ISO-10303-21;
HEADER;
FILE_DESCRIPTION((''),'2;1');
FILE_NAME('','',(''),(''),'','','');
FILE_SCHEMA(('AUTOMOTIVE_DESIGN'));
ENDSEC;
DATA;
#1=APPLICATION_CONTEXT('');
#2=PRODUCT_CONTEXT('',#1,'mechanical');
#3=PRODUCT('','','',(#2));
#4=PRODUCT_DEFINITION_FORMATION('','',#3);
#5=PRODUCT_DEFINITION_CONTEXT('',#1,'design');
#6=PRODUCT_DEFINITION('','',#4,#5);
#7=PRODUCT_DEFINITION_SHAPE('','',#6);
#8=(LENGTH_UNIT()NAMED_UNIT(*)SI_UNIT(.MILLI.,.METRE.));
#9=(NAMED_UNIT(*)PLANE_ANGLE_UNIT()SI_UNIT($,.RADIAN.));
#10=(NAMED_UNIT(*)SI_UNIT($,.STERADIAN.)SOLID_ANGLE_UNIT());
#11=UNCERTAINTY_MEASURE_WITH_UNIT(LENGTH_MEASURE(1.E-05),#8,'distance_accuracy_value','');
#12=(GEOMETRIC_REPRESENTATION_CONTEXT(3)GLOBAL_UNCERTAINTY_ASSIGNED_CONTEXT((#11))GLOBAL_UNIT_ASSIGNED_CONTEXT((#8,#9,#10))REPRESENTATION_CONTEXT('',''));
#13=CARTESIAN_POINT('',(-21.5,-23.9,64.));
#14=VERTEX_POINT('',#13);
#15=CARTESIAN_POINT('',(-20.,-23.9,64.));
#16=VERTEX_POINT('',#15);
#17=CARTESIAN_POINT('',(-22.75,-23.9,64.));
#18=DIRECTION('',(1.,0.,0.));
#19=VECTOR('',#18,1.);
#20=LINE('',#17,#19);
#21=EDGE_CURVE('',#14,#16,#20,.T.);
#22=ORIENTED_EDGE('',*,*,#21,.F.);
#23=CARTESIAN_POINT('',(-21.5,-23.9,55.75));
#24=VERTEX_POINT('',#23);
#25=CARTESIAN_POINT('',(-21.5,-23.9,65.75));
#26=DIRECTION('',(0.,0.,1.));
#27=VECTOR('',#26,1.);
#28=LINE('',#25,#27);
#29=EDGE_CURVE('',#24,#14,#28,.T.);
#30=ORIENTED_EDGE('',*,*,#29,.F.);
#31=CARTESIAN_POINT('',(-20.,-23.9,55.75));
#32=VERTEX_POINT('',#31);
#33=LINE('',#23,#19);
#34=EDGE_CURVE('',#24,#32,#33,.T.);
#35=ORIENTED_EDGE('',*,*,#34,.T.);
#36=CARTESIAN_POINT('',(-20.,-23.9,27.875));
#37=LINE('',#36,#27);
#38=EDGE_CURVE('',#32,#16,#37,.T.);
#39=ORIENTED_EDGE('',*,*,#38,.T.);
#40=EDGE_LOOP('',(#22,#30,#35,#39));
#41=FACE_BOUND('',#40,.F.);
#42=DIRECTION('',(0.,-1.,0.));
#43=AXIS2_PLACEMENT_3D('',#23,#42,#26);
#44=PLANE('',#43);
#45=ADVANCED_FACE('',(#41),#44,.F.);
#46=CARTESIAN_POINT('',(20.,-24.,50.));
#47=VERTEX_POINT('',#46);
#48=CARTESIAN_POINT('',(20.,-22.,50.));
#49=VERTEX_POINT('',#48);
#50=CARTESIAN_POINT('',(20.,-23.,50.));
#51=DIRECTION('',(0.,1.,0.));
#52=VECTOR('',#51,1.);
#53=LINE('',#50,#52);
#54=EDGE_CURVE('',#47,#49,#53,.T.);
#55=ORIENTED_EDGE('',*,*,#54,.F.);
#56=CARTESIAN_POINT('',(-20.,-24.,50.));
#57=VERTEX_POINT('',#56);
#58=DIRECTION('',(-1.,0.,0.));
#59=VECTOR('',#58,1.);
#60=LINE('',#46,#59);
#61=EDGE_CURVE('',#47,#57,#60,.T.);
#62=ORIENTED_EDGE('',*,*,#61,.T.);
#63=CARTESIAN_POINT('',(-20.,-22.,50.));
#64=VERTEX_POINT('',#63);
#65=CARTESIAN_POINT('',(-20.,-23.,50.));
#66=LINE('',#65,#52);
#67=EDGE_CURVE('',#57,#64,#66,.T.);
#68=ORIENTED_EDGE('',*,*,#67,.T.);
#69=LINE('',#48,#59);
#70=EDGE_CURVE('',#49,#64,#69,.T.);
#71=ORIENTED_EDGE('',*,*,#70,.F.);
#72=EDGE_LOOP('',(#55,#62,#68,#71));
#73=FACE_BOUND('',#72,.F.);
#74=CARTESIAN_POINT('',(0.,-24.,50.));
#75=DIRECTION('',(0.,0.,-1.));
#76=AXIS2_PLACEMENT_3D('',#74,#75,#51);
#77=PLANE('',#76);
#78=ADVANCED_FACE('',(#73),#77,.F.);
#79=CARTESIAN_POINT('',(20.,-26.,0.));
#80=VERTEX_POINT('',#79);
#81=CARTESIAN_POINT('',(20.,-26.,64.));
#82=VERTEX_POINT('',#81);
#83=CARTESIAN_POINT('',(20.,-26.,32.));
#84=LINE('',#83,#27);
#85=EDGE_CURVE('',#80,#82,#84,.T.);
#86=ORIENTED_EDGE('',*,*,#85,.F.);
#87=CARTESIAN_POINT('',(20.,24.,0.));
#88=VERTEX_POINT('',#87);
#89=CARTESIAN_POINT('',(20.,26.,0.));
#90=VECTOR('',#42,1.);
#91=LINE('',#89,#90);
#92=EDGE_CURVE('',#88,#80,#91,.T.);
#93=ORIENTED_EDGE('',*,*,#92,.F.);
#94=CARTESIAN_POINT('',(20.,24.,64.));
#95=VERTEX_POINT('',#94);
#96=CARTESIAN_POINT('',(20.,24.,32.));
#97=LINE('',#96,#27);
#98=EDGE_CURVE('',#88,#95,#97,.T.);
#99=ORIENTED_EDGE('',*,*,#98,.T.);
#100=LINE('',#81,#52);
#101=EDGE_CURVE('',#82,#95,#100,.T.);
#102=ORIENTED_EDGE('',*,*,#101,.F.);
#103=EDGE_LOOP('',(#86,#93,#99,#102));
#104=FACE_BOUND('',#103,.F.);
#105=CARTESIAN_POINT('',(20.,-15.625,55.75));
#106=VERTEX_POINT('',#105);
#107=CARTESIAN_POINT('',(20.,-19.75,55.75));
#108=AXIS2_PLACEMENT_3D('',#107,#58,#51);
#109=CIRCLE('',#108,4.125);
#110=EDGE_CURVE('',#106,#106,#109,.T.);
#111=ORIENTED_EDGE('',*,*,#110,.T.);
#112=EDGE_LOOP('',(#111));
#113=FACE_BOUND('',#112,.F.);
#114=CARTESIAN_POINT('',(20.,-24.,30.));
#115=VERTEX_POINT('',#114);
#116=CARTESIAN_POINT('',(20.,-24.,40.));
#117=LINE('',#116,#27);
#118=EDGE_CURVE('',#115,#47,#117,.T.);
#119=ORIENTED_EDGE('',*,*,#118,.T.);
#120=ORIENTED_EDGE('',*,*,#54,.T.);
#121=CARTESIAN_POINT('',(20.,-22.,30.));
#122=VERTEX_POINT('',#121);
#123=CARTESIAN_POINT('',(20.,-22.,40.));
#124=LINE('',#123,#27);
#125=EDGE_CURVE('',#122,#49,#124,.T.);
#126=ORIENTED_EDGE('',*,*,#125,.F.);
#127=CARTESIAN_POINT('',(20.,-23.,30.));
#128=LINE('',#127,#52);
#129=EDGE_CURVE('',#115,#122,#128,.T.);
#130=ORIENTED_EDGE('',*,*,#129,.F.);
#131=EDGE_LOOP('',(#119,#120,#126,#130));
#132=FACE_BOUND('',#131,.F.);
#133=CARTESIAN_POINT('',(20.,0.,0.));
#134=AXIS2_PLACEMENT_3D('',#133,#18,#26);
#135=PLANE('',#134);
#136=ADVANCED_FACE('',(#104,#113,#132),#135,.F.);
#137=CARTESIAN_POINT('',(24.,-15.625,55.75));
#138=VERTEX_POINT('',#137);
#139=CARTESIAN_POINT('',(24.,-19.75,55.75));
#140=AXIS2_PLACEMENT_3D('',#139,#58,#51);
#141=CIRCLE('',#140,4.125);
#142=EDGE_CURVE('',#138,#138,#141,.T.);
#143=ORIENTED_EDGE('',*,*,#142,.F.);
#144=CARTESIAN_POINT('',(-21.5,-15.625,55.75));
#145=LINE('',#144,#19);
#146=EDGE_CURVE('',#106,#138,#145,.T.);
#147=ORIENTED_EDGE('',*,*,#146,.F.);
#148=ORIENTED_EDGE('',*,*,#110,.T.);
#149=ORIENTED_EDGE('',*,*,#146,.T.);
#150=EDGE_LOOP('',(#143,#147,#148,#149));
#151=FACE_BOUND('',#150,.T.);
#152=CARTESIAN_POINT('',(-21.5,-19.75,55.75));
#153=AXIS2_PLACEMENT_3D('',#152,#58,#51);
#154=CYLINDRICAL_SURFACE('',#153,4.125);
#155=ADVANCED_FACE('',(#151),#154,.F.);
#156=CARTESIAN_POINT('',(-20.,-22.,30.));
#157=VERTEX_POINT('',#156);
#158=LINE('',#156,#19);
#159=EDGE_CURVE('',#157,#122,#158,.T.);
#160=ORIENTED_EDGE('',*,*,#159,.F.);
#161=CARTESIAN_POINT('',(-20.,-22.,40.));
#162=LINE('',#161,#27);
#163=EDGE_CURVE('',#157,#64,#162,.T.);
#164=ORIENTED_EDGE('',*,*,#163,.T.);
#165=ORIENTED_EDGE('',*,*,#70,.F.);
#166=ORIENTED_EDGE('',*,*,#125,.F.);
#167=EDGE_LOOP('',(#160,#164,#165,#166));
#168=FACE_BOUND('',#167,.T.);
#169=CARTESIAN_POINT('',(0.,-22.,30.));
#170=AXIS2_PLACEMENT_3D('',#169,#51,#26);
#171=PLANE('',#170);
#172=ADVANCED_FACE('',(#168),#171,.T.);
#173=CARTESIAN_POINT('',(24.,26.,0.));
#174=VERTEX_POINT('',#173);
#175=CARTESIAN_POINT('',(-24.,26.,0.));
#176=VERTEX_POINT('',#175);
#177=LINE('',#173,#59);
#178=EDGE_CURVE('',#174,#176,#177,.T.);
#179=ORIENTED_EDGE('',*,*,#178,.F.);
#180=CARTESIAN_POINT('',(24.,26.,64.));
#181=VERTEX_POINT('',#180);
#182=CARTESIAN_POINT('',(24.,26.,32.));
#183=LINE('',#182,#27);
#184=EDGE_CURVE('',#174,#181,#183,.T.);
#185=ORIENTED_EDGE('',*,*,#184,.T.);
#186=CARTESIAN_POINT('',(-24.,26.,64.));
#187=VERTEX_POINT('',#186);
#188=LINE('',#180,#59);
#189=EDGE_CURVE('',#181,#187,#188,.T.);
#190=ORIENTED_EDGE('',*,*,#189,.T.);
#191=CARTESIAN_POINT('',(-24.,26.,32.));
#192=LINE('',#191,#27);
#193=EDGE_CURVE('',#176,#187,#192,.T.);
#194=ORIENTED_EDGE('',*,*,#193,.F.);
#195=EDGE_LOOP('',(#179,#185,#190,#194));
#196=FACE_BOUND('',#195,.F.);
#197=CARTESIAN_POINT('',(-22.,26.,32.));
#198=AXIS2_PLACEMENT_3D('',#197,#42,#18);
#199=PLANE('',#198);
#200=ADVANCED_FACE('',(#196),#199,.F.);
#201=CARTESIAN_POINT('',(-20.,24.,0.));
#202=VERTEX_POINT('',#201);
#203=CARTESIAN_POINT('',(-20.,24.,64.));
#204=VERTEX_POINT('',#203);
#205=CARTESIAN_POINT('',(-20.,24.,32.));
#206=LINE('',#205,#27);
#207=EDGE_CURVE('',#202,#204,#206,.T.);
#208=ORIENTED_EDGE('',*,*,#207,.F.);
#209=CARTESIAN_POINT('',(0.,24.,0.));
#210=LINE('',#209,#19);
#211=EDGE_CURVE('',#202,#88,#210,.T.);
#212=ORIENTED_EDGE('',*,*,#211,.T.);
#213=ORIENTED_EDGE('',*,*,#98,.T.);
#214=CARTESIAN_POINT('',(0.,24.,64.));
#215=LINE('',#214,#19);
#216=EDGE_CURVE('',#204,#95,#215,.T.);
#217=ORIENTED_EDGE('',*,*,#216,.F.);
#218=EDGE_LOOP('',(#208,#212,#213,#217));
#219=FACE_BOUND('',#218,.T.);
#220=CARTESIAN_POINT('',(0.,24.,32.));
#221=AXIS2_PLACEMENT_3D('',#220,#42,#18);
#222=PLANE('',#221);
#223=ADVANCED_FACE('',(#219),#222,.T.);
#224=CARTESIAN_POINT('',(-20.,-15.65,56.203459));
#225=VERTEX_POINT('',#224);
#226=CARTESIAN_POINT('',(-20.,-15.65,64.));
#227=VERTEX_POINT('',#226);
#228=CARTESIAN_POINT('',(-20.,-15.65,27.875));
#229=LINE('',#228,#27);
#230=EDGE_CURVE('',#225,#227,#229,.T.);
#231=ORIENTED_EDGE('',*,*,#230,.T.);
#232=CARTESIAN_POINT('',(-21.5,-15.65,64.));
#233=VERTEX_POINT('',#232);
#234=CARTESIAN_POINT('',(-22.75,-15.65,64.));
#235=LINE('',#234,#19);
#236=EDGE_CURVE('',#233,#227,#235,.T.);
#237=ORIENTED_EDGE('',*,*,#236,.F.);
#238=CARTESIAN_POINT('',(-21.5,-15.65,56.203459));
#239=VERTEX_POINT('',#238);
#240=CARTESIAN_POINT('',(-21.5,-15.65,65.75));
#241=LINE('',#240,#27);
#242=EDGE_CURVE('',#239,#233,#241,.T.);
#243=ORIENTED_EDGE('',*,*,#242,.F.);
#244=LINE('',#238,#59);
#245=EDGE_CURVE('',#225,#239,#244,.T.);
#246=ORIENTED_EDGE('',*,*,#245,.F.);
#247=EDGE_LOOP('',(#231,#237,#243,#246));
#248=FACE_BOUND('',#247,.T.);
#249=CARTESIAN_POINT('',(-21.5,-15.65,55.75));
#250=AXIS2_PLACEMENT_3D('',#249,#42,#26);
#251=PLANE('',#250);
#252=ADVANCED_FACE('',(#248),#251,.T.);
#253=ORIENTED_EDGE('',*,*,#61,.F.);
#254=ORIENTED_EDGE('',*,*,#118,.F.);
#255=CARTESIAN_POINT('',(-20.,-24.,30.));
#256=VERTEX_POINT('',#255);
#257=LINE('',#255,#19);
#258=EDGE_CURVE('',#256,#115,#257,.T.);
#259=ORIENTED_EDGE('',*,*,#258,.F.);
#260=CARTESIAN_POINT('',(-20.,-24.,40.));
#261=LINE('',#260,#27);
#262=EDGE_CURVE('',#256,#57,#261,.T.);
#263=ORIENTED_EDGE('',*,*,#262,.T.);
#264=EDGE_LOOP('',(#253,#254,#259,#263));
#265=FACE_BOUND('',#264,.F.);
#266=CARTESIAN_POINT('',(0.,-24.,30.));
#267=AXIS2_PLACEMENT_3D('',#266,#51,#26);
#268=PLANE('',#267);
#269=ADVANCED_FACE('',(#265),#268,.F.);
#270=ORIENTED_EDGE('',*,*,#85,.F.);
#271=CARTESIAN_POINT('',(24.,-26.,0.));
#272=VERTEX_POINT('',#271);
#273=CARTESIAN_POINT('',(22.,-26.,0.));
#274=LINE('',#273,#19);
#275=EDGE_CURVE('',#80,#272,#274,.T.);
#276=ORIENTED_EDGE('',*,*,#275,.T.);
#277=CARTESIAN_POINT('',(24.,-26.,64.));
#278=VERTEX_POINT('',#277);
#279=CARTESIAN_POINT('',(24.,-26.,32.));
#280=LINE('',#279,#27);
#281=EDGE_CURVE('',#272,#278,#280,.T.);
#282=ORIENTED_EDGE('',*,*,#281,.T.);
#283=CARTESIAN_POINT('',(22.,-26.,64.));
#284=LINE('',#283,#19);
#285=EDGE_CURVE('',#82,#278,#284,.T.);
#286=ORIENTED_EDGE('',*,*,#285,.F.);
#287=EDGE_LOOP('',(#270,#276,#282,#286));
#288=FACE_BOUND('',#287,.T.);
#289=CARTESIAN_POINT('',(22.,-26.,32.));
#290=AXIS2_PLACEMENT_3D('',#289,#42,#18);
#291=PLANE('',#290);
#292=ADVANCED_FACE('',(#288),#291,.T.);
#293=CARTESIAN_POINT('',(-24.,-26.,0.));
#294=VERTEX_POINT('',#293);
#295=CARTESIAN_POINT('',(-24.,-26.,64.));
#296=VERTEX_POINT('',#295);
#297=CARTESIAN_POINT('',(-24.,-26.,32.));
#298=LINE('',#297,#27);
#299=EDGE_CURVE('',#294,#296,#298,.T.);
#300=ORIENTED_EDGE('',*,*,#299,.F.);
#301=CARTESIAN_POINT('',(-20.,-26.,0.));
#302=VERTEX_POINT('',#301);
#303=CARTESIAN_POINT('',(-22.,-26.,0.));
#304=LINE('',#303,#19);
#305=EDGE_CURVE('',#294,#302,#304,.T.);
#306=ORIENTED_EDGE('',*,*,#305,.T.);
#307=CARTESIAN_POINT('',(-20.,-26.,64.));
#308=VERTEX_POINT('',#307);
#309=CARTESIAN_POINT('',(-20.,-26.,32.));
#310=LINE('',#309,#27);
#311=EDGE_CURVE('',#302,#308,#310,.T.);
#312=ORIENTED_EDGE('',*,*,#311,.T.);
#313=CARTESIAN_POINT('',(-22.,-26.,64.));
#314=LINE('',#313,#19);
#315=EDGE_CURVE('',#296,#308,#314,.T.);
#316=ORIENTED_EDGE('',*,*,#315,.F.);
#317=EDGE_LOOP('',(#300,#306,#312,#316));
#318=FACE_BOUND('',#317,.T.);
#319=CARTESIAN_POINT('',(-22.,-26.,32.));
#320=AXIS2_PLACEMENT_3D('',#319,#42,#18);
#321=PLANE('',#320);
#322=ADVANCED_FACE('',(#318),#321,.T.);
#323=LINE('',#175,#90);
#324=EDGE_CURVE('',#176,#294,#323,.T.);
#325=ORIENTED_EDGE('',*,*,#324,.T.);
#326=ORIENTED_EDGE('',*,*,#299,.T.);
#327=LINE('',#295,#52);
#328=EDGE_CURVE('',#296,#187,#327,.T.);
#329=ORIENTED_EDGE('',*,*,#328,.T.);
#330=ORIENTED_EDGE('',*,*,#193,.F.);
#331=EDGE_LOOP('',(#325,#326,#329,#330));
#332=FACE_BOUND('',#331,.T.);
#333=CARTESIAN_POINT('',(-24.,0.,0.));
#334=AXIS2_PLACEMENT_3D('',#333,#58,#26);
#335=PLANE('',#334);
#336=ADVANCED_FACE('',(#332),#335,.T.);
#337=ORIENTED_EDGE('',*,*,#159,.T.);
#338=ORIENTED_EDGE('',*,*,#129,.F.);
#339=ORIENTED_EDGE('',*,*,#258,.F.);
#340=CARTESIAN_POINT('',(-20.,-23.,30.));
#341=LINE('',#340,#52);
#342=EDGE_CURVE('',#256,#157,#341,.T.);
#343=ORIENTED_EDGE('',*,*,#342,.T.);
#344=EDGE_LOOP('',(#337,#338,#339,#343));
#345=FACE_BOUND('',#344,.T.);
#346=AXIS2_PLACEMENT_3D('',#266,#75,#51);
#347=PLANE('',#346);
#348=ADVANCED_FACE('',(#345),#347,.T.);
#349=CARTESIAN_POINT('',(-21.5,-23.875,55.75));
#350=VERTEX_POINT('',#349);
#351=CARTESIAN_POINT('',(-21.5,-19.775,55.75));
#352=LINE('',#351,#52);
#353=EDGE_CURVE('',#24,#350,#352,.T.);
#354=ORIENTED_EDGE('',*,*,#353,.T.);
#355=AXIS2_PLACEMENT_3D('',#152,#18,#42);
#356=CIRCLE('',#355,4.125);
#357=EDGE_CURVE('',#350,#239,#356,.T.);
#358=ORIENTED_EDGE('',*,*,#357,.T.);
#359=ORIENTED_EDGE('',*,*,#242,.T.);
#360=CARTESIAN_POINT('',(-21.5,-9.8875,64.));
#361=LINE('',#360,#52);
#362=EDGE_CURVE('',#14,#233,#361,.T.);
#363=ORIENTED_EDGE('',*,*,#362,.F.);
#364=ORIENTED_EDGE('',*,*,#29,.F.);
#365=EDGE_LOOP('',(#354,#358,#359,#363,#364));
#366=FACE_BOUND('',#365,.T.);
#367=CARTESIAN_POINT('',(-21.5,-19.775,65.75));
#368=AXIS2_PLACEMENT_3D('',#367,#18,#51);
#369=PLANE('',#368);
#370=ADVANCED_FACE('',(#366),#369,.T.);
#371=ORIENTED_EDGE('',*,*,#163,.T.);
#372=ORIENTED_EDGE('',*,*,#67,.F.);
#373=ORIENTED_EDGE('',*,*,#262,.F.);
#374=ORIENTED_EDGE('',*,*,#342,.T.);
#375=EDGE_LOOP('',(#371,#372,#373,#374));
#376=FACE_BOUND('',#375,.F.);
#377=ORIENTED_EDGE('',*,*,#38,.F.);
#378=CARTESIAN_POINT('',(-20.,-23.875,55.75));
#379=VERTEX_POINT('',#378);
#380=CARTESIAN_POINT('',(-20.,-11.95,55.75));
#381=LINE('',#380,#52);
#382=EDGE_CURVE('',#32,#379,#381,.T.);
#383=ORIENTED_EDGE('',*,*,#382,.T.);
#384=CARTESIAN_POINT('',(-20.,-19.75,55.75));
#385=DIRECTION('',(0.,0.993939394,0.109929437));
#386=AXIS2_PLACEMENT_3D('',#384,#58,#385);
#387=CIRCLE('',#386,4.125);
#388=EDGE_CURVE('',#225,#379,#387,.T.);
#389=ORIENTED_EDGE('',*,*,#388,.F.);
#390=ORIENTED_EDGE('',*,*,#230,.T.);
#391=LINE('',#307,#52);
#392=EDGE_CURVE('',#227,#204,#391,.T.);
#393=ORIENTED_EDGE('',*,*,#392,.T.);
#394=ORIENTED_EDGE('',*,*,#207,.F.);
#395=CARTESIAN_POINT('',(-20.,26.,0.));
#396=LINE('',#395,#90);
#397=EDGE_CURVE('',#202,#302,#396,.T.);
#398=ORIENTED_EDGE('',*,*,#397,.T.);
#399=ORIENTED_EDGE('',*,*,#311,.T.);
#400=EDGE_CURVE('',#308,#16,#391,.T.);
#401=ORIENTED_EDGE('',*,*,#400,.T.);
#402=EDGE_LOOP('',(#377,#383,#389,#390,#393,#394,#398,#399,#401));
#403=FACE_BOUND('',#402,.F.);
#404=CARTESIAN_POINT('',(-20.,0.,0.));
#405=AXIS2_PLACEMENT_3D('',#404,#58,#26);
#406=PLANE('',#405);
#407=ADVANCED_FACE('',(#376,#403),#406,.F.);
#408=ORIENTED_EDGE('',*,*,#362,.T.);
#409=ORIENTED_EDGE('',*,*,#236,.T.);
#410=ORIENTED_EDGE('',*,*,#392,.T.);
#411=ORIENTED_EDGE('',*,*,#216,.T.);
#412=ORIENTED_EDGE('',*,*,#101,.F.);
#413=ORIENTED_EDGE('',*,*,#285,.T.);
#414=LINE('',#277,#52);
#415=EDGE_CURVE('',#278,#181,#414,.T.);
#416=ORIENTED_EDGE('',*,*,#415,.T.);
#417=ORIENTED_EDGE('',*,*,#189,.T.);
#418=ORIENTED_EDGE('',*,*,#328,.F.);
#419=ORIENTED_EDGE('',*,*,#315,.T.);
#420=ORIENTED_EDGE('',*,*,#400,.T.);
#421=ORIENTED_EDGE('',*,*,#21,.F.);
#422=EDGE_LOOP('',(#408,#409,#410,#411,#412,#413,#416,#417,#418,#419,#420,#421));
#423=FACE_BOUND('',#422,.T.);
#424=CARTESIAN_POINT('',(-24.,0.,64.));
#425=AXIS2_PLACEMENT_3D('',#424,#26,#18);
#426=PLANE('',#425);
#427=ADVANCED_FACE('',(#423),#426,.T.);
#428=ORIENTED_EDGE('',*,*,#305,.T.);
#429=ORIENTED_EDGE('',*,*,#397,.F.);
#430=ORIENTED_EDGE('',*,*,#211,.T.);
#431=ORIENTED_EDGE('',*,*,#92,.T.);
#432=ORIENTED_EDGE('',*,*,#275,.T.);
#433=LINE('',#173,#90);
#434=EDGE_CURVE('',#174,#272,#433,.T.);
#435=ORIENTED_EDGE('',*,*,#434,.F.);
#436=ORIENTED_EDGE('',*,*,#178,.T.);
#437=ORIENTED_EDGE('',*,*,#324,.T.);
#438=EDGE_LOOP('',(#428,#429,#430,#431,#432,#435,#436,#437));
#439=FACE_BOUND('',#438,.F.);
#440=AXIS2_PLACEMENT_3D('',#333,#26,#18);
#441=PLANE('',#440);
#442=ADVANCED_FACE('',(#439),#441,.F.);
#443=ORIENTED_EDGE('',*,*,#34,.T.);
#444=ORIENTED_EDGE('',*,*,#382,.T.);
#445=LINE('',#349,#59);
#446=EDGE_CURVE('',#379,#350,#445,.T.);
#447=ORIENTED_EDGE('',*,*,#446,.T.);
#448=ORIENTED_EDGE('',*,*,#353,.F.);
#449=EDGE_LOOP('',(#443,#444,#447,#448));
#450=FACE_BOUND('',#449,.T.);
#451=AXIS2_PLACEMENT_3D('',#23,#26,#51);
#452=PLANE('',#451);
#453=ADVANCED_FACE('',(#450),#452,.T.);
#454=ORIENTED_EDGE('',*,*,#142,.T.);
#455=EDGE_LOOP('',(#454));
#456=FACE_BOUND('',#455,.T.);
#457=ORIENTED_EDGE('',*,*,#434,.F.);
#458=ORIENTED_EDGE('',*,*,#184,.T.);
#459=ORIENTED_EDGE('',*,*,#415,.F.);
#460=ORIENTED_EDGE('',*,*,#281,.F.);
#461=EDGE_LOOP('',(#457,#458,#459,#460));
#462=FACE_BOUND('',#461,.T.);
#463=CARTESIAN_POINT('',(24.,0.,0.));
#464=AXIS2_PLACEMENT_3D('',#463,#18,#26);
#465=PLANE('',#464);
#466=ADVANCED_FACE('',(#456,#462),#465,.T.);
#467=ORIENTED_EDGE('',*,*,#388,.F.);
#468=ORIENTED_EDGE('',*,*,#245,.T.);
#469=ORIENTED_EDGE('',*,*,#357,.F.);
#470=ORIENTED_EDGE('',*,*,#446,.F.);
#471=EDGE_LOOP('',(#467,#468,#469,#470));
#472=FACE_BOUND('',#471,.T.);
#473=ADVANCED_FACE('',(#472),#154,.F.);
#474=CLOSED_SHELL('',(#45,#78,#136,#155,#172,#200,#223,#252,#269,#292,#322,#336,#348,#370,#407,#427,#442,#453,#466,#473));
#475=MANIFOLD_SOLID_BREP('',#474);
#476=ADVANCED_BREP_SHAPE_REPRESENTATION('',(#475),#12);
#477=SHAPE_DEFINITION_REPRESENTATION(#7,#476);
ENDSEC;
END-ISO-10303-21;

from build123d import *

# Parameters (mm, degrees)
SKETCH026_W      = 8.25
SKETCH026_H      = 20
EXTRUDE031_DEPTH = 10
SKETCH023_R      = 4.125
EXTRUDE028_DEPTH = 60
SKETCH022_W      = 4
SKETCH022_H      = 64
EXTRUDE027_DEPTH = 26
SKETCH025_W      = 2
SKETCH025_H      = 20
EXTRUDE030_DEPTH = 20
SKETCH024_W      = 40
SKETCH024_H      = 64
EXTRUDE029_DEPTH = 2


with BuildPart() as extrude031:
    # Sketch026 (on Sketch) → Extrude031 (new body)
    with BuildSketch(Plane.YZ):
        with Locations((-19.875, 65.75)):
            Rectangle(SKETCH026_W, SKETCH026_H)
    extrude(amount=EXTRUDE031_DEPTH)


with BuildPart() as extrude031_1:
    # Extrude031 placement: moved
    add(extrude031.part.moved(Location((-21.5, 0.1, 0))))


with BuildPart() as fusion010:
    # Sketch023 → Extrude028 (new body)
    with BuildSketch(Plane.YZ):
        with Locations((-19.75, 55.75)):
            Circle(SKETCH023_R)
    extrude(amount=EXTRUDE028_DEPTH)


with BuildPart() as fusion010_1:
    # Extrude028 placement: moved
    add(fusion010.part.moved(Location((-21.5, 0, 0))))

    # Fusion010: union Extrude031
    add(extrude031_1.part)


with BuildPart() as extrude027:
    # Sketch022 → Extrude027 (new body, symmetric)
    with BuildSketch(Plane.XZ):
        with Locations((-22, 32)):
            Rectangle(SKETCH022_W, SKETCH022_H)
        with Locations((22, 32)):
            Rectangle(SKETCH022_W, SKETCH022_H)
    extrude(amount=EXTRUDE027_DEPTH, both=True)


with BuildPart() as extrude030:
    # Sketch025 → Extrude030 (new body, symmetric)
    with BuildSketch(Plane.YZ):
        with Locations((-23, 40)):
            Rectangle(SKETCH025_W, SKETCH025_H)
    extrude(amount=EXTRUDE030_DEPTH, both=True)


with BuildPart() as cut005:
    # Sketch024 → Extrude029 (new body)
    with BuildSketch(Plane.XZ):
        with Locations((0, 32)):
            Rectangle(SKETCH024_W, SKETCH024_H)
    extrude(amount=-EXTRUDE029_DEPTH)


with BuildPart() as cut005_1:
    # Extrude029 placement: moved
    add(cut005.part.moved(Location((0, 24, 0))))

    # Fusion011: union Extrude027, Extrude030
    add(extrude027.part)
    add(extrude030.part)

    # Cut005: cut Fusion010
    add(fusion010_1.part, mode=Mode.SUBTRACT)


solid = cut005_1.part
